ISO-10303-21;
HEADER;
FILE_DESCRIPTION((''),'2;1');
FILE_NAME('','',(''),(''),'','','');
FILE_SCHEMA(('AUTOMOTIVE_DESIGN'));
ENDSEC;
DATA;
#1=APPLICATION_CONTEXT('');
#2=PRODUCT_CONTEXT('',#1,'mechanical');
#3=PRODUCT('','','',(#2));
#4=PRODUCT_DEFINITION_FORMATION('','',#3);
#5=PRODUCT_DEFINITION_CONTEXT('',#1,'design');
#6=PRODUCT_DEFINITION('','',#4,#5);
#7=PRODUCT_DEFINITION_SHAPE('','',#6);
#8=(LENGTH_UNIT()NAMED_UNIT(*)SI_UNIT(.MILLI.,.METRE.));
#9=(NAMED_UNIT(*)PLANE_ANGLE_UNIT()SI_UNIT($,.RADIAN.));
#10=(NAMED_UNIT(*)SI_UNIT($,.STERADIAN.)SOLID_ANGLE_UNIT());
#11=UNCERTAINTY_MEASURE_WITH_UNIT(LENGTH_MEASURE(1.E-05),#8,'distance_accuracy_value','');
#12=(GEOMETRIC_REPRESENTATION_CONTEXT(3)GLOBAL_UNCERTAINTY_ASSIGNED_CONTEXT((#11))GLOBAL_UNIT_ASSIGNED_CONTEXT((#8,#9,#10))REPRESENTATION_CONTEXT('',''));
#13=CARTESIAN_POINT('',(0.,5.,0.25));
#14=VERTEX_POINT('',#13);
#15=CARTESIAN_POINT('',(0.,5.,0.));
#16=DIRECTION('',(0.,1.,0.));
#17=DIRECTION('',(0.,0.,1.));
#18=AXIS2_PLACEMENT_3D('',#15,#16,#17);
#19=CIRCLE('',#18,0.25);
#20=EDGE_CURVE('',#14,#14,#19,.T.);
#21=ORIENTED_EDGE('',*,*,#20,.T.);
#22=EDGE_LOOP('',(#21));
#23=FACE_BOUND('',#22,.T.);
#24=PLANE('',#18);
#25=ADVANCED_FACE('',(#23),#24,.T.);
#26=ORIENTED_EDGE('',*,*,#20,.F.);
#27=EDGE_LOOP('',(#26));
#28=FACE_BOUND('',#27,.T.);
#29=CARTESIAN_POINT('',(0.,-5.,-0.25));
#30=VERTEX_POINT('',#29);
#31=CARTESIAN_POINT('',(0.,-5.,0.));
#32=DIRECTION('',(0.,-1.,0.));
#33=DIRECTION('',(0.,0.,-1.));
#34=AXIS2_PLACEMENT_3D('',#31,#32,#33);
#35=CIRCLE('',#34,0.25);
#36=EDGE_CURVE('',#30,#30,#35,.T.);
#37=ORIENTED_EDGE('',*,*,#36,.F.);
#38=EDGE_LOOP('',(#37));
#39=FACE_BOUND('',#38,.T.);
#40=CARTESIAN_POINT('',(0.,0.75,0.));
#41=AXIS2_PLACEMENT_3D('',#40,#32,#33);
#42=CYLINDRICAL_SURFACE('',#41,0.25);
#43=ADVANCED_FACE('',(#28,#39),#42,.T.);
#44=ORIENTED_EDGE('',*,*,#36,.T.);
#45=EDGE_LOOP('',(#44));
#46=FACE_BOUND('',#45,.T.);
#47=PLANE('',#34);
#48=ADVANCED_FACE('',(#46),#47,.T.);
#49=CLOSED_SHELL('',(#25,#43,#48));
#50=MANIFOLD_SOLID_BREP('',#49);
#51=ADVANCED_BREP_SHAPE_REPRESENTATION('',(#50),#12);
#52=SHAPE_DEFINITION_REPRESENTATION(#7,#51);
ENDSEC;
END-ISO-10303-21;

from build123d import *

# Parameters (mm, degrees)
SKETCH1_R           = 0.25
BOSS_EXTRUDE1_DEPTH = 0.75
SKETCH2_R           = 0.25
BOSS_EXTRUDE2_DEPTH = 4.25
SKETCH3_R           = 0.25
BOSS_EXTRUDE3_DEPTH = 4.25


with BuildPart() as part:
    # Sketch1 → Boss-Extrude1 (new body, symmetric)
    with BuildSketch(Plane(origin=(0, 0, 0), x_dir=(1, 0, 0), z_dir=(0, 1, 0))):
        Circle(SKETCH1_R)
    extrude(amount=BOSS_EXTRUDE1_DEPTH, both=True)

    # Sketch2 → Boss-Extrude2 (add)
    with BuildSketch(Plane(origin=(0, 0.75, 0), x_dir=(1, 0, 0), z_dir=(0, 1, 0))):
        Circle(SKETCH2_R)
    extrude(amount=BOSS_EXTRUDE2_DEPTH)

    # Sketch3 → Boss-Extrude3 (add)
    with BuildSketch(Plane.XZ.offset(0.75)):
        Circle(SKETCH3_R)
    extrude(amount=BOSS_EXTRUDE3_DEPTH)


solid = part.part
